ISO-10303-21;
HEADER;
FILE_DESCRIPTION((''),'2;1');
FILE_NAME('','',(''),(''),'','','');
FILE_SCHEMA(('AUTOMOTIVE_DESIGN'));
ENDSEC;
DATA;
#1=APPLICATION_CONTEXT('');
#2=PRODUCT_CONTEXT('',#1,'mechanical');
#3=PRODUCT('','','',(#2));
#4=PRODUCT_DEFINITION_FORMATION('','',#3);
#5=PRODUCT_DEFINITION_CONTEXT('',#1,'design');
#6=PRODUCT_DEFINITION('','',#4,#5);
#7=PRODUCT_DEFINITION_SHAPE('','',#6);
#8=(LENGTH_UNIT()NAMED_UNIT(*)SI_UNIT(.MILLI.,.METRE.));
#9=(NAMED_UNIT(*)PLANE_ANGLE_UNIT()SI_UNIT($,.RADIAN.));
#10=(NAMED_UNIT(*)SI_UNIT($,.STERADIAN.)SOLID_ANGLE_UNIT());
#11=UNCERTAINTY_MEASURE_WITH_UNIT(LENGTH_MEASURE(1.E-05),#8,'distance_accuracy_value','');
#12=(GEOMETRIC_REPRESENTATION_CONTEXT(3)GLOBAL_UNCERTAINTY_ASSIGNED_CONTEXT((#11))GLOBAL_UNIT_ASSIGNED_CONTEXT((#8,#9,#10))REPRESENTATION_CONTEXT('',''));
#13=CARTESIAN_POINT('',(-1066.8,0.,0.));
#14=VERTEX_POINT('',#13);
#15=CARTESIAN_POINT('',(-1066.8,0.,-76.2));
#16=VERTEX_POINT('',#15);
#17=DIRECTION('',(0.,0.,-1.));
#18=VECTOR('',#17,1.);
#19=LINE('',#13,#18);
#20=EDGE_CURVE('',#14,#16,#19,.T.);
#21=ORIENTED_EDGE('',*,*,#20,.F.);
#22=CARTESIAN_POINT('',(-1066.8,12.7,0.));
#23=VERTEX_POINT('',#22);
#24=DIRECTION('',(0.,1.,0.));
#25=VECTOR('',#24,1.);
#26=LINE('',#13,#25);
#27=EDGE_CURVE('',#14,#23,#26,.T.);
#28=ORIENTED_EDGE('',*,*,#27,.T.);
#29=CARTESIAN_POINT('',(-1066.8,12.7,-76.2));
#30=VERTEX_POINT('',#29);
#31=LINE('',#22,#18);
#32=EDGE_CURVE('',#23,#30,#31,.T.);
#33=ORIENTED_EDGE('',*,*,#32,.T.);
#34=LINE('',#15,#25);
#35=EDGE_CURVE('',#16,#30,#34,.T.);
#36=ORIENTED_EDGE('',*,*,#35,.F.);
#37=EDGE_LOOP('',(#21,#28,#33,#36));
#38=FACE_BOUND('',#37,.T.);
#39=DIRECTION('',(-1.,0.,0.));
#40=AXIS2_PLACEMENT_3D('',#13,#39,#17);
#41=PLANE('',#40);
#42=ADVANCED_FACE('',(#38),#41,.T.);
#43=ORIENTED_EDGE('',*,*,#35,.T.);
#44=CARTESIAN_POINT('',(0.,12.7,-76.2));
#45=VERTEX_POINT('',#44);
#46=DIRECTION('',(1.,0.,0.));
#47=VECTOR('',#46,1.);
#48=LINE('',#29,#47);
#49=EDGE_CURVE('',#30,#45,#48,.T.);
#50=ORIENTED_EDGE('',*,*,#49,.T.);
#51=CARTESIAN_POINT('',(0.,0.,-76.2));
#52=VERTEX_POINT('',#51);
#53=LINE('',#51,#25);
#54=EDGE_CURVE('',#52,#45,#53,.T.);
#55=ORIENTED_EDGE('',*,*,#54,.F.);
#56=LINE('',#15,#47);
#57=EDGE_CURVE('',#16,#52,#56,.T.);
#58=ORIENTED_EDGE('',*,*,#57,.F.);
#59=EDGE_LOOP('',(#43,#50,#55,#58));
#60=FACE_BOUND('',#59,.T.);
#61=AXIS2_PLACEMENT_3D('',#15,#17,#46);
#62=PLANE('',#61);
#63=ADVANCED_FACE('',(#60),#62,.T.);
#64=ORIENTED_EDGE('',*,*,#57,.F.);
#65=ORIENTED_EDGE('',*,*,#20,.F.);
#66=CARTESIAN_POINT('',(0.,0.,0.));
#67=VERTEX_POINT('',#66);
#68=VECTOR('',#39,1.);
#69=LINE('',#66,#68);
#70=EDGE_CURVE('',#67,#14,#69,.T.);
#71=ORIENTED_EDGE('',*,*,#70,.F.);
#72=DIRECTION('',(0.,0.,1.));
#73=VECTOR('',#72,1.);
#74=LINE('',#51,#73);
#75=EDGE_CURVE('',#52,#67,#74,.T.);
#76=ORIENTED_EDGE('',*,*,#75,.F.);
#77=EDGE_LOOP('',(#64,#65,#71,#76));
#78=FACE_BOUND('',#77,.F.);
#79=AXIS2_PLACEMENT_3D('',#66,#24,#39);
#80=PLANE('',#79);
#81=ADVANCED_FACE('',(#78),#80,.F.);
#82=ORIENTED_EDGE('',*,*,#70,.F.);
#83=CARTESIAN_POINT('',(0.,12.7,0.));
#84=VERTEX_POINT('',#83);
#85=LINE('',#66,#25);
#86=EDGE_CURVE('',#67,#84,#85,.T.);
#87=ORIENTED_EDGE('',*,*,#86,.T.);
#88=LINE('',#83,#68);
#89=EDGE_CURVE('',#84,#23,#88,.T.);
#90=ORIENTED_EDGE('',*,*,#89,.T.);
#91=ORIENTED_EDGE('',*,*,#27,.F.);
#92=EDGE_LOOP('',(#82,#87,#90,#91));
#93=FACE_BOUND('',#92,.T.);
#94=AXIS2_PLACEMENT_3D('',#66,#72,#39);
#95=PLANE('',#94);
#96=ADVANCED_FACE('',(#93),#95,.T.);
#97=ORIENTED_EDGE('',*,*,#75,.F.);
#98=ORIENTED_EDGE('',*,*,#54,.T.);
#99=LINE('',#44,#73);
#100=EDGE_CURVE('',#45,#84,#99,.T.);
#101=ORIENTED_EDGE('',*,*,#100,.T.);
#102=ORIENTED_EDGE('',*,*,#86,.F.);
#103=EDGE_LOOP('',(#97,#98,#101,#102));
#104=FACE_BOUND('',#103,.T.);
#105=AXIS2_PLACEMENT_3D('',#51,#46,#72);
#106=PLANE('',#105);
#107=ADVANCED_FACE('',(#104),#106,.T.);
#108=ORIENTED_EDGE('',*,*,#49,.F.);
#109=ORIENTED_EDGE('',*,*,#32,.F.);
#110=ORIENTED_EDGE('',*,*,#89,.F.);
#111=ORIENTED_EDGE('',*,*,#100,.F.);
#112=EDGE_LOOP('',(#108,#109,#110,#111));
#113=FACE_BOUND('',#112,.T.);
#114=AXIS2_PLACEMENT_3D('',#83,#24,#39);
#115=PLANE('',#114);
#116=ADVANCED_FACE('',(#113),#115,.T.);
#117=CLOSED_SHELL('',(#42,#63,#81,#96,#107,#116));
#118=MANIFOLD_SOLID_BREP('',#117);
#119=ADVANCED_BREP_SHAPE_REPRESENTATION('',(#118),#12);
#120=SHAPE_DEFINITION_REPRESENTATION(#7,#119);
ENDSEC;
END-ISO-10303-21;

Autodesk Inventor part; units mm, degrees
ref_plane "YZ Plane" through (0, 0, 0) normal (1, 0, 0) x (0, 1, 0)
ref_plane "XZ Plane" through (0, 0, 0) normal (0, 1, 0) x (-1, 0, 0)
ref_plane "XY Plane" through (0, 0, 0) normal (0, 0, 1) x (1, 0, 0)
sketch "Sketch1" plane through (0, 0, 0) normal (0, 1, 0) x (-1, 0, 0)
  line L0 (0, 0) -> (1066.8, 0)
  line L1 (1066.8, 0) -> (1066.8, -76.2)
  line L2 (1066.8, -76.2) -> (0, -76.2)
  line L3 (0, -76.2) -> (0, 0)
  dimension "d0" = 1066.8
  dimension "d1" = 76.2
extrude "Extrusion1" add sketch "Sketch1" along normal blind 12.7
properties part number "top beams" material "Wood (Oak)"
